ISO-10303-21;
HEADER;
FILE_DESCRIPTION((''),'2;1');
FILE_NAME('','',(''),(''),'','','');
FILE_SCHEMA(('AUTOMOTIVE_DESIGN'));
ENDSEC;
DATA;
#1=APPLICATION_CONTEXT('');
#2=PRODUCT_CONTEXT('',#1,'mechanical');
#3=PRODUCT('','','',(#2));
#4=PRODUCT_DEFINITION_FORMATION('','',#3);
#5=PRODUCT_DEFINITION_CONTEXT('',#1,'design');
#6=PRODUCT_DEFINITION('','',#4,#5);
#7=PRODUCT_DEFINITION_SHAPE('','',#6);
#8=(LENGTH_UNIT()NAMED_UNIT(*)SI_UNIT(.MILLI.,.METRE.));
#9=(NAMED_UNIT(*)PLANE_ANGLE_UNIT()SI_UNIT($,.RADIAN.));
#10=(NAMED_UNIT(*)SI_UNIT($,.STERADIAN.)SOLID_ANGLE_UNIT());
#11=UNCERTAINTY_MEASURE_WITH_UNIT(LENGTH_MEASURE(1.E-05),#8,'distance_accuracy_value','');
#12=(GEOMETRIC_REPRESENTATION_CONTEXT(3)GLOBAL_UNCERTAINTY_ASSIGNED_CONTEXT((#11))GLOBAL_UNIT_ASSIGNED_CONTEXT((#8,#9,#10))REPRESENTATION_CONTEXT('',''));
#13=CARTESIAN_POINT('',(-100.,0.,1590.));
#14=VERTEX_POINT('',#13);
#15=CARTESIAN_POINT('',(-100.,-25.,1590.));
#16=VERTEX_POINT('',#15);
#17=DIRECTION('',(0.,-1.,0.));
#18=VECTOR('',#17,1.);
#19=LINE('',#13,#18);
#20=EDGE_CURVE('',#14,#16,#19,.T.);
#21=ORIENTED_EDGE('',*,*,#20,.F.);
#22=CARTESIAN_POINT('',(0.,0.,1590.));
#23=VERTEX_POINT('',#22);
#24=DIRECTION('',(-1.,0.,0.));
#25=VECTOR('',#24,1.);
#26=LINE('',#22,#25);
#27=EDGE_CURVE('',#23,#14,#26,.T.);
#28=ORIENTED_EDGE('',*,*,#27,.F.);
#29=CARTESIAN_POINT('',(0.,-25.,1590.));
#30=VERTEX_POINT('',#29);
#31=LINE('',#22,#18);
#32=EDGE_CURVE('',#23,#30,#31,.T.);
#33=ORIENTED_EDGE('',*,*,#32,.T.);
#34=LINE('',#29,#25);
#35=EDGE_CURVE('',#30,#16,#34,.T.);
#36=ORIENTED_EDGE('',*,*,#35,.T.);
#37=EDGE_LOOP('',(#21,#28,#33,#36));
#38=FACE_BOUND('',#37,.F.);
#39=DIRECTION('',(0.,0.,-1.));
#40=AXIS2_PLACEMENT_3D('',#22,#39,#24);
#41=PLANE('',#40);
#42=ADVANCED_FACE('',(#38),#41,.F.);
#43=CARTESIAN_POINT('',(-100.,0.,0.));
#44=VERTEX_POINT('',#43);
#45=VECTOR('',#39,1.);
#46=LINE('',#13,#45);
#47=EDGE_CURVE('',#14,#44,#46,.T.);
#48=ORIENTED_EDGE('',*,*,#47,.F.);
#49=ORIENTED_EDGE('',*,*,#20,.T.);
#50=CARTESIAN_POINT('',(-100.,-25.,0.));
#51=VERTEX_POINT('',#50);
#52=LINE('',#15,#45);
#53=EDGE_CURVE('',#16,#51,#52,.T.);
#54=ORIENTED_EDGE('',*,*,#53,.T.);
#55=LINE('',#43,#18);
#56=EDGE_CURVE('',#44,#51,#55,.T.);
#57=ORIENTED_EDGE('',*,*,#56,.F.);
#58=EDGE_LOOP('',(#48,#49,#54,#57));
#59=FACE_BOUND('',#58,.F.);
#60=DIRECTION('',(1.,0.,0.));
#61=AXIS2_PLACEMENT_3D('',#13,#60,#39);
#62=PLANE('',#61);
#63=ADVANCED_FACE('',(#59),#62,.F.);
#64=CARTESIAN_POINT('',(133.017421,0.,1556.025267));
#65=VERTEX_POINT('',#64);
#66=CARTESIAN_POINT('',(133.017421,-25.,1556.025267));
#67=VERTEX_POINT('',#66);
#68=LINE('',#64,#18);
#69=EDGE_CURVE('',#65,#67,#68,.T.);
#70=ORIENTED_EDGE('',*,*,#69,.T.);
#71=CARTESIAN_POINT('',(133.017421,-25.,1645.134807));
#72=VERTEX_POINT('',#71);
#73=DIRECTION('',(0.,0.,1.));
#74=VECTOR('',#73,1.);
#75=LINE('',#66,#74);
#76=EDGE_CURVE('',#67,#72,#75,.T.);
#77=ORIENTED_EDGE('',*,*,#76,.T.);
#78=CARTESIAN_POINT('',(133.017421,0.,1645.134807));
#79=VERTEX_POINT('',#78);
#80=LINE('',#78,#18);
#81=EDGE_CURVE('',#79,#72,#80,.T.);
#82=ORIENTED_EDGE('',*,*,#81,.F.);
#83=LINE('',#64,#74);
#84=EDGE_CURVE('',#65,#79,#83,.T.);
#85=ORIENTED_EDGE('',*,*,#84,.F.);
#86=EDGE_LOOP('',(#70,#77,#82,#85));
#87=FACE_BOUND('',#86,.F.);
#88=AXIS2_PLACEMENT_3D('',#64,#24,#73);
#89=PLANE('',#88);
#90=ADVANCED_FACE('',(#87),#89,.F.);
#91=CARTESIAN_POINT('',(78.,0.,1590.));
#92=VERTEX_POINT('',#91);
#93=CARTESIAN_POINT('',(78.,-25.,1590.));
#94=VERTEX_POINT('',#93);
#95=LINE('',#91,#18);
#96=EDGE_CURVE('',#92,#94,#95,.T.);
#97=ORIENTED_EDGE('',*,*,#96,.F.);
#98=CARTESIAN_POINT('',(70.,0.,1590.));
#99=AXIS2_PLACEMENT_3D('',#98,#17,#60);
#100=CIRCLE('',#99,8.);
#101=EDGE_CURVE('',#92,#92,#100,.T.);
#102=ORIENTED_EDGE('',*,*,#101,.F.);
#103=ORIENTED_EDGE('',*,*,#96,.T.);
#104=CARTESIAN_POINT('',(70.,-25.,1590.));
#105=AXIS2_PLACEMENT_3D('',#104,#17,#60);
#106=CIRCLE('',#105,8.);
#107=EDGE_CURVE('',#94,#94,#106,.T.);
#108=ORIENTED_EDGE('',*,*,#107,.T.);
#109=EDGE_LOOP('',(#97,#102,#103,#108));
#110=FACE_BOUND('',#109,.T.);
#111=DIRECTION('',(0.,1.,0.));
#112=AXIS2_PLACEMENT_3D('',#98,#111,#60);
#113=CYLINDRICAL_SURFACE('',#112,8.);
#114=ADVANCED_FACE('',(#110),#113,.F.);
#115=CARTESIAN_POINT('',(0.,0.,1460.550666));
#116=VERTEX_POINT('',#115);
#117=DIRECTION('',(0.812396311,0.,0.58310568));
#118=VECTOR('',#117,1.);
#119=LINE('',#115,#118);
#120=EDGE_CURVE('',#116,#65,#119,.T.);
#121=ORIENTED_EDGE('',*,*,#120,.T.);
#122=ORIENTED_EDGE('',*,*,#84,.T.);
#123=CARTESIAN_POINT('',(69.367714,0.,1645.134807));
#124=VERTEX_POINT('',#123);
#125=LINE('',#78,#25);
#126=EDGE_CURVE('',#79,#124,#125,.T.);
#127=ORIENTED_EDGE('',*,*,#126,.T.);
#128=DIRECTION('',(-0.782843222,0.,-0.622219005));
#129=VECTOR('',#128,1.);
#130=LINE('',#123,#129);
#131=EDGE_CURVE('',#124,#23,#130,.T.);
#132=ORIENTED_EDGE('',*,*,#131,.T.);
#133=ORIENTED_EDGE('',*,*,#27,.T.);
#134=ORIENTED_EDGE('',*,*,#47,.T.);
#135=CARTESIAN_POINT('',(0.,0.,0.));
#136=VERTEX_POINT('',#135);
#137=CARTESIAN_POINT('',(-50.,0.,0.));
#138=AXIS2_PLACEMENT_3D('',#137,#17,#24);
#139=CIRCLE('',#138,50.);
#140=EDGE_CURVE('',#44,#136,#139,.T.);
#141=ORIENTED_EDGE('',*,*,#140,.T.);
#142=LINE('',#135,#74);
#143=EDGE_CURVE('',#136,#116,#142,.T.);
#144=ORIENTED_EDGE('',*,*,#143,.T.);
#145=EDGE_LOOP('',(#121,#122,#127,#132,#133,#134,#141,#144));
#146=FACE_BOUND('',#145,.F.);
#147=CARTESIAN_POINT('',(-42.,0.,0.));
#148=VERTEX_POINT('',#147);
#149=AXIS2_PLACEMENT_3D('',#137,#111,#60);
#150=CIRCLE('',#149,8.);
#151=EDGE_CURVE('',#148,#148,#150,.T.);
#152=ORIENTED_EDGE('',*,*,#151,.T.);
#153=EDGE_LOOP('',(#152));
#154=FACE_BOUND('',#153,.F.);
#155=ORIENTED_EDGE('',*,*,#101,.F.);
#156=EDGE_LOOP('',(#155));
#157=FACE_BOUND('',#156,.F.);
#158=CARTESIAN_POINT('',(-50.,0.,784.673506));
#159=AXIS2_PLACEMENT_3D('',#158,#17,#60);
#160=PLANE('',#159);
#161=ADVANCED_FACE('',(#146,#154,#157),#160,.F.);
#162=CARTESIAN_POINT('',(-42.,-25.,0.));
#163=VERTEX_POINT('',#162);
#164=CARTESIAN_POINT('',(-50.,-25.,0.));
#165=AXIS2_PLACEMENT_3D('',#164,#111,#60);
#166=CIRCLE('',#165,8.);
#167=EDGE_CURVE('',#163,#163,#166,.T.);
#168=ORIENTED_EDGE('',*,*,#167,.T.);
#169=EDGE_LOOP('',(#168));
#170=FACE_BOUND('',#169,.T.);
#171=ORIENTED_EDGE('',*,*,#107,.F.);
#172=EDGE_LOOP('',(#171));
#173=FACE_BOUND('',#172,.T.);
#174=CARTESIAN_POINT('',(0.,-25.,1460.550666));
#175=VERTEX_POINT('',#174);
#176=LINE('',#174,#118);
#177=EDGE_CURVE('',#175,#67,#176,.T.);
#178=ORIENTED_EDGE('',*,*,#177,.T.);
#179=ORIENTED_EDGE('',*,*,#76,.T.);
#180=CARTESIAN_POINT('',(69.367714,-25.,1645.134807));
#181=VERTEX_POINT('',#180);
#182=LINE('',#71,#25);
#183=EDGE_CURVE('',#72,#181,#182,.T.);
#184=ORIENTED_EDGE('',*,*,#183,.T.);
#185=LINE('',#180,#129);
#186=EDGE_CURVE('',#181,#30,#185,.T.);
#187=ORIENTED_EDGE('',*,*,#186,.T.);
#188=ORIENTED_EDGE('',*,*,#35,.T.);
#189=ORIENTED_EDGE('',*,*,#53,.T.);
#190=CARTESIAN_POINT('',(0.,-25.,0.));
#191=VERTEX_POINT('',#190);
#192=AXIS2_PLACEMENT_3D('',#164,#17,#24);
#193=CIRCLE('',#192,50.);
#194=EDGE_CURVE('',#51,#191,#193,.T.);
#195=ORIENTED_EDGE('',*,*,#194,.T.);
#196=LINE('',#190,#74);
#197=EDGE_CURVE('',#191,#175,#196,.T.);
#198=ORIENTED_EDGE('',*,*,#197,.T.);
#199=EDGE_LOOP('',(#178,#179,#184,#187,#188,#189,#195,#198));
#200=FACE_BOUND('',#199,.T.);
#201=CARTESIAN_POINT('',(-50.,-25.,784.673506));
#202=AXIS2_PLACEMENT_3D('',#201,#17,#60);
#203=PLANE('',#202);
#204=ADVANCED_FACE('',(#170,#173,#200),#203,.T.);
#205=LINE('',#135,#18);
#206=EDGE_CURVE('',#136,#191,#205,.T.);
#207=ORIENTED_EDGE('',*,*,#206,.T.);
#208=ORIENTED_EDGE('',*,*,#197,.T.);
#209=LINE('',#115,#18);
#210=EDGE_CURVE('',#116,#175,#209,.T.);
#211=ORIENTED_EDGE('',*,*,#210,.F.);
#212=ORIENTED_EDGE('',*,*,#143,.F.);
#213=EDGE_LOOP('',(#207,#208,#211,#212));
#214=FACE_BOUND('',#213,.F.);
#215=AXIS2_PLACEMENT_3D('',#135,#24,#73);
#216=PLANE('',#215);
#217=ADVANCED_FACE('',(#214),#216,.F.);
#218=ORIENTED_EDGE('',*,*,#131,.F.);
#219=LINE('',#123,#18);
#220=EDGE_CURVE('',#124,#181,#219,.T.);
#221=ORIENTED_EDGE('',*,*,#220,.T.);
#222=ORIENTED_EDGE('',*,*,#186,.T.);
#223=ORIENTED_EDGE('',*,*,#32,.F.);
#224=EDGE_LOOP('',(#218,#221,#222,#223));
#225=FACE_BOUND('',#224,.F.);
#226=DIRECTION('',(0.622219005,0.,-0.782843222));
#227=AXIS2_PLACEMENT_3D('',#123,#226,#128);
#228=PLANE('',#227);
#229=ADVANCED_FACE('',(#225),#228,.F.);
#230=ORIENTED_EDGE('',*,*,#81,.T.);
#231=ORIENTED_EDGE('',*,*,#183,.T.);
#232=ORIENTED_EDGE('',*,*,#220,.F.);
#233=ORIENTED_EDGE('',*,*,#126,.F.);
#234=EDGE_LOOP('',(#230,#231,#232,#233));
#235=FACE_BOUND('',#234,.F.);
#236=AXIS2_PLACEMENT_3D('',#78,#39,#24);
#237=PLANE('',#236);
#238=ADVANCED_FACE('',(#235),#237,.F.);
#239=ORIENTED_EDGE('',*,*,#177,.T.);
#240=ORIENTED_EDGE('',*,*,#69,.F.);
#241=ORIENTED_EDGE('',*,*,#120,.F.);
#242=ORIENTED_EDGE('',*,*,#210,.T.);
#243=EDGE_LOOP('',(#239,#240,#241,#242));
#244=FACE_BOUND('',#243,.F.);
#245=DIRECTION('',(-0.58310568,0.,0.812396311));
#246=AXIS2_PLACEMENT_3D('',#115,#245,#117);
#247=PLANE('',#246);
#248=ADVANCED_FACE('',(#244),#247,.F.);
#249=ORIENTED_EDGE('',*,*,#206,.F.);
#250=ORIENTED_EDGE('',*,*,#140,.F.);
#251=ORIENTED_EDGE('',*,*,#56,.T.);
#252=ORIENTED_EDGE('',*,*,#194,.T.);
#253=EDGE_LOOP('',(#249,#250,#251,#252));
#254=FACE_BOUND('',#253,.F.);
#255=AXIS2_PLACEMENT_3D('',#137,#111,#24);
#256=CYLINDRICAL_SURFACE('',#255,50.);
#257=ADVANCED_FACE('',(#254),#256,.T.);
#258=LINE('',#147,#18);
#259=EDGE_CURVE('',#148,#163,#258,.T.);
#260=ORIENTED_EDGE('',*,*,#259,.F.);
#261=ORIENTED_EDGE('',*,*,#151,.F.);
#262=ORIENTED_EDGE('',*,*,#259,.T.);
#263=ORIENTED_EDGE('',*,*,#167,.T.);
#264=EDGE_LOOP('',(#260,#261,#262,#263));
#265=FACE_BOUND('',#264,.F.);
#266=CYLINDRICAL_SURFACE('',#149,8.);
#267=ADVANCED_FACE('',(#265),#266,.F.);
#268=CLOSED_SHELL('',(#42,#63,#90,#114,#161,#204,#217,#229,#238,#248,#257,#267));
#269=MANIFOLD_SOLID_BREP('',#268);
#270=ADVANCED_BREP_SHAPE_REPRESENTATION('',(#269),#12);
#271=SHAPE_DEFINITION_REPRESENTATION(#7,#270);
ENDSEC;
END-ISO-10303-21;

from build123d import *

# Parameters (mm, degrees)
F0_R     = 8
F1_DEPTH = 25


with BuildPart() as f1:
    # F0 (on Front) → F1 (new body)
    with BuildSketch(Plane.XZ):
        with BuildLine():
            ThreePointArc((-100, 0), (-50, 50), (0, 0))
            Line((0, 0), (0, 1460.550666))
            Line((0, 1460.550666), (0, 1590))
            Line((0, 1590), (-100, 1590))
            Line((-100, 1590), (-100, 0))
        make_face()
        Polygon((0, 1590), (0, 1460.550666), (133.017421, 1556.025267), (133.017421, 1645.134807), (69.367714, 1645.134807), align=None)
        with Locations((70, 1590)):
            Circle(F0_R, mode=Mode.SUBTRACT)
        with BuildLine():
            Line((-42, 0), (0, 0))
            ThreePointArc((0, 0), (-50, 50), (-100, 0))
            Line((-100, 0), (-58, 0))
            ThreePointArc((-58, 0), (-50, 8), (-42, 0))
        make_face()
        with BuildLine():
            ThreePointArc((-100, 0), (-50, -50), (0, 0))
            Line((0, 0), (-42, 0))
            ThreePointArc((-42, 0), (-50, -8), (-58, 0))
            Line((-58, 0), (-100, 0))
        make_face()
    extrude(amount=F1_DEPTH)


solid = f1.part
